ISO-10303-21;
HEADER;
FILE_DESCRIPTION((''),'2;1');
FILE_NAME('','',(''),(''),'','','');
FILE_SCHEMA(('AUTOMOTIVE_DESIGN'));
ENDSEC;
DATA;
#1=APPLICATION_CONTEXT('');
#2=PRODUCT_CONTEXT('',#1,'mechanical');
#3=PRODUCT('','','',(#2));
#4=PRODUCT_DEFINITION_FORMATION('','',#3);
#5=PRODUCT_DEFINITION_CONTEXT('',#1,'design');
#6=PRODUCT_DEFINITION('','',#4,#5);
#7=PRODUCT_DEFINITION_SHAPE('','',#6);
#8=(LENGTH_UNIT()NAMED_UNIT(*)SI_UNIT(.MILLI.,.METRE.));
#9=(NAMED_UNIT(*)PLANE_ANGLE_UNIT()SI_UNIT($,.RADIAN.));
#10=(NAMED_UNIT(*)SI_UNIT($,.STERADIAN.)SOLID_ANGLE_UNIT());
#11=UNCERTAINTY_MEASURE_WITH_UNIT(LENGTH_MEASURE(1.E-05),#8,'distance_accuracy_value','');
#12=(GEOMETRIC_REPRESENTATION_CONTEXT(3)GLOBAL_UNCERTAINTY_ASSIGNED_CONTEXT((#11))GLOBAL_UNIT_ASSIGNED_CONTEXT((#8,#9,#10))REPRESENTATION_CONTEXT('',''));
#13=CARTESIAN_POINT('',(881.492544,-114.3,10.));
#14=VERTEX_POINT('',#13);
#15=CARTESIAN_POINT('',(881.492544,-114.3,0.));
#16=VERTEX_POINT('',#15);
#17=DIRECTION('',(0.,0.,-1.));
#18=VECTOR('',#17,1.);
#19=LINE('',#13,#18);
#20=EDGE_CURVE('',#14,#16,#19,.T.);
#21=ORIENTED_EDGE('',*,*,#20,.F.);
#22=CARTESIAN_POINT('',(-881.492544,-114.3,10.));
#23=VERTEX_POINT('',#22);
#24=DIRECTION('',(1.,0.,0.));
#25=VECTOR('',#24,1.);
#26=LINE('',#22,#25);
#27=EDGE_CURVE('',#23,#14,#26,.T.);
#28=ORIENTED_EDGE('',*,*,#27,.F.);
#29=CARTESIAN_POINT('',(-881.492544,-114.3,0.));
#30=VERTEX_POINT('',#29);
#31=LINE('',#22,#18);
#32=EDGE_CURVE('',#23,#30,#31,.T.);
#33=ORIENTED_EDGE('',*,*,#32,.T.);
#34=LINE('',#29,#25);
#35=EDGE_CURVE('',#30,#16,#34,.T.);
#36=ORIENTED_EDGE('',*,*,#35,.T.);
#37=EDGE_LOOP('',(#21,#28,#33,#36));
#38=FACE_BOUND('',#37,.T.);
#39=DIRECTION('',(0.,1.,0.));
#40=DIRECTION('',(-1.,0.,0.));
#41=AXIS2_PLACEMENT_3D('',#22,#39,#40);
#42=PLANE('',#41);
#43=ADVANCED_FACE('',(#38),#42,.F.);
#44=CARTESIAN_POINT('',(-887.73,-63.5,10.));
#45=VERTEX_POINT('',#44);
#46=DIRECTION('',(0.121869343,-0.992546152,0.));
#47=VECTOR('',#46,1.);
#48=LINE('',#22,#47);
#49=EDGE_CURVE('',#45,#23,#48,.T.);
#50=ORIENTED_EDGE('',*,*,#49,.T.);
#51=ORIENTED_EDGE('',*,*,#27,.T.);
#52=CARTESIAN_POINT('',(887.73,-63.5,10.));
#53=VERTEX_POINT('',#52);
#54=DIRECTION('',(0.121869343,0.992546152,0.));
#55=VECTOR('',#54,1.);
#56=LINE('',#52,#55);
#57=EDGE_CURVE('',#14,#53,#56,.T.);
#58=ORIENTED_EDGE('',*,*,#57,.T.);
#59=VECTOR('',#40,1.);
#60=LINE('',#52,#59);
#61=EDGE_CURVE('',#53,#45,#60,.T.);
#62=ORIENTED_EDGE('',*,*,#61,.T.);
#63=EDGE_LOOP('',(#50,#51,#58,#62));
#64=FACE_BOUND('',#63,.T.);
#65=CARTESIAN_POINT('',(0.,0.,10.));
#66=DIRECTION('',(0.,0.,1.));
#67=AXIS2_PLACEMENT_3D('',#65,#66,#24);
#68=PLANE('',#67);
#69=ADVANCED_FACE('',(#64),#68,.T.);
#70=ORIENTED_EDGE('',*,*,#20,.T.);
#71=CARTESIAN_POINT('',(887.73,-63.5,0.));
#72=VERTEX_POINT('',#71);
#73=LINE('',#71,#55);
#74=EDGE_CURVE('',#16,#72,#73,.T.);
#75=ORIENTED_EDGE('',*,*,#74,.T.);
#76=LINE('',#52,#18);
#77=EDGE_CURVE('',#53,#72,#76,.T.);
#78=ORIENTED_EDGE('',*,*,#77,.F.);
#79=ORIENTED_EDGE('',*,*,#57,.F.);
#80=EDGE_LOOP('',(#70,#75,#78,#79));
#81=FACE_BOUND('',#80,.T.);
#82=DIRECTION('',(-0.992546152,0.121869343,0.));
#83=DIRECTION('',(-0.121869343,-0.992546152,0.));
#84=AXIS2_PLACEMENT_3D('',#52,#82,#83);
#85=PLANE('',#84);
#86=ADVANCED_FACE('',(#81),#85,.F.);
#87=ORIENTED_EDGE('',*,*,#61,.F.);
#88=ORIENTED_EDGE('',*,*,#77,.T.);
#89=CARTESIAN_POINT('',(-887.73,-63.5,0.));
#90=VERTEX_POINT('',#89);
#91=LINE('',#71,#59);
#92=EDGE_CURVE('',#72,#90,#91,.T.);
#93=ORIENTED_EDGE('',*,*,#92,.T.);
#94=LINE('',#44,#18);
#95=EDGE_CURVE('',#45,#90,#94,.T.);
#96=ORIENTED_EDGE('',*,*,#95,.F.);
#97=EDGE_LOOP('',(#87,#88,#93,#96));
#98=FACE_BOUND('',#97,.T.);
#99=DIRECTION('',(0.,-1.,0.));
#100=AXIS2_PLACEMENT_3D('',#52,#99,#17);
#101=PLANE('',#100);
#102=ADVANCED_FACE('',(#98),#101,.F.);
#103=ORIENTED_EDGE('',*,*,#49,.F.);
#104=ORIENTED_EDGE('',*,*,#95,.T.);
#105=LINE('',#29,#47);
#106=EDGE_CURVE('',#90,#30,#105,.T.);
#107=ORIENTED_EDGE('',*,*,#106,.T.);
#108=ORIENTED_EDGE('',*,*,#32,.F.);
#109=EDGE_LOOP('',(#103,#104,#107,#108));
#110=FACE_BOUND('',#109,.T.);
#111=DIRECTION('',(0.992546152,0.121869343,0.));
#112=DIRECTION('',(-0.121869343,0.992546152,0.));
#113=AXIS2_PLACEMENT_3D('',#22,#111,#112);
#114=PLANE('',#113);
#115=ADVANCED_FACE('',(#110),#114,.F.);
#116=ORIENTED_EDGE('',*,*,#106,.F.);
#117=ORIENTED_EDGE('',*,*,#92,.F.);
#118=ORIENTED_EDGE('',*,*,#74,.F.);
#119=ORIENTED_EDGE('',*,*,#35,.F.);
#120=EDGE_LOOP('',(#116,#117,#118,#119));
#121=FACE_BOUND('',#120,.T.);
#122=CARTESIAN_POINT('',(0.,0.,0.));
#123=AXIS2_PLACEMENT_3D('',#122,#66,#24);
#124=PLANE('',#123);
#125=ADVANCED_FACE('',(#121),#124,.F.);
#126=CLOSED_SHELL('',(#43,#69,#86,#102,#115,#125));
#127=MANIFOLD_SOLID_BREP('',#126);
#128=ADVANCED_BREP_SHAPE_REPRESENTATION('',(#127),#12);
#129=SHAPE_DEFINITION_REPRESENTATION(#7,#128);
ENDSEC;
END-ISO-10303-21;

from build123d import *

# Parameters (mm, degrees)
BOSS_EXTRUDE1_DEPTH = 10


with BuildPart() as part:
    # Sketch1 → Boss-Extrude1 (new body)
    with BuildSketch(Plane.XY):
        Polygon((-881.492544306, -114.3), (881.492544306, -114.3), (887.73, -63.5), (-887.73, -63.5), align=None)
    extrude(amount=BOSS_EXTRUDE1_DEPTH)


solid = part.part
